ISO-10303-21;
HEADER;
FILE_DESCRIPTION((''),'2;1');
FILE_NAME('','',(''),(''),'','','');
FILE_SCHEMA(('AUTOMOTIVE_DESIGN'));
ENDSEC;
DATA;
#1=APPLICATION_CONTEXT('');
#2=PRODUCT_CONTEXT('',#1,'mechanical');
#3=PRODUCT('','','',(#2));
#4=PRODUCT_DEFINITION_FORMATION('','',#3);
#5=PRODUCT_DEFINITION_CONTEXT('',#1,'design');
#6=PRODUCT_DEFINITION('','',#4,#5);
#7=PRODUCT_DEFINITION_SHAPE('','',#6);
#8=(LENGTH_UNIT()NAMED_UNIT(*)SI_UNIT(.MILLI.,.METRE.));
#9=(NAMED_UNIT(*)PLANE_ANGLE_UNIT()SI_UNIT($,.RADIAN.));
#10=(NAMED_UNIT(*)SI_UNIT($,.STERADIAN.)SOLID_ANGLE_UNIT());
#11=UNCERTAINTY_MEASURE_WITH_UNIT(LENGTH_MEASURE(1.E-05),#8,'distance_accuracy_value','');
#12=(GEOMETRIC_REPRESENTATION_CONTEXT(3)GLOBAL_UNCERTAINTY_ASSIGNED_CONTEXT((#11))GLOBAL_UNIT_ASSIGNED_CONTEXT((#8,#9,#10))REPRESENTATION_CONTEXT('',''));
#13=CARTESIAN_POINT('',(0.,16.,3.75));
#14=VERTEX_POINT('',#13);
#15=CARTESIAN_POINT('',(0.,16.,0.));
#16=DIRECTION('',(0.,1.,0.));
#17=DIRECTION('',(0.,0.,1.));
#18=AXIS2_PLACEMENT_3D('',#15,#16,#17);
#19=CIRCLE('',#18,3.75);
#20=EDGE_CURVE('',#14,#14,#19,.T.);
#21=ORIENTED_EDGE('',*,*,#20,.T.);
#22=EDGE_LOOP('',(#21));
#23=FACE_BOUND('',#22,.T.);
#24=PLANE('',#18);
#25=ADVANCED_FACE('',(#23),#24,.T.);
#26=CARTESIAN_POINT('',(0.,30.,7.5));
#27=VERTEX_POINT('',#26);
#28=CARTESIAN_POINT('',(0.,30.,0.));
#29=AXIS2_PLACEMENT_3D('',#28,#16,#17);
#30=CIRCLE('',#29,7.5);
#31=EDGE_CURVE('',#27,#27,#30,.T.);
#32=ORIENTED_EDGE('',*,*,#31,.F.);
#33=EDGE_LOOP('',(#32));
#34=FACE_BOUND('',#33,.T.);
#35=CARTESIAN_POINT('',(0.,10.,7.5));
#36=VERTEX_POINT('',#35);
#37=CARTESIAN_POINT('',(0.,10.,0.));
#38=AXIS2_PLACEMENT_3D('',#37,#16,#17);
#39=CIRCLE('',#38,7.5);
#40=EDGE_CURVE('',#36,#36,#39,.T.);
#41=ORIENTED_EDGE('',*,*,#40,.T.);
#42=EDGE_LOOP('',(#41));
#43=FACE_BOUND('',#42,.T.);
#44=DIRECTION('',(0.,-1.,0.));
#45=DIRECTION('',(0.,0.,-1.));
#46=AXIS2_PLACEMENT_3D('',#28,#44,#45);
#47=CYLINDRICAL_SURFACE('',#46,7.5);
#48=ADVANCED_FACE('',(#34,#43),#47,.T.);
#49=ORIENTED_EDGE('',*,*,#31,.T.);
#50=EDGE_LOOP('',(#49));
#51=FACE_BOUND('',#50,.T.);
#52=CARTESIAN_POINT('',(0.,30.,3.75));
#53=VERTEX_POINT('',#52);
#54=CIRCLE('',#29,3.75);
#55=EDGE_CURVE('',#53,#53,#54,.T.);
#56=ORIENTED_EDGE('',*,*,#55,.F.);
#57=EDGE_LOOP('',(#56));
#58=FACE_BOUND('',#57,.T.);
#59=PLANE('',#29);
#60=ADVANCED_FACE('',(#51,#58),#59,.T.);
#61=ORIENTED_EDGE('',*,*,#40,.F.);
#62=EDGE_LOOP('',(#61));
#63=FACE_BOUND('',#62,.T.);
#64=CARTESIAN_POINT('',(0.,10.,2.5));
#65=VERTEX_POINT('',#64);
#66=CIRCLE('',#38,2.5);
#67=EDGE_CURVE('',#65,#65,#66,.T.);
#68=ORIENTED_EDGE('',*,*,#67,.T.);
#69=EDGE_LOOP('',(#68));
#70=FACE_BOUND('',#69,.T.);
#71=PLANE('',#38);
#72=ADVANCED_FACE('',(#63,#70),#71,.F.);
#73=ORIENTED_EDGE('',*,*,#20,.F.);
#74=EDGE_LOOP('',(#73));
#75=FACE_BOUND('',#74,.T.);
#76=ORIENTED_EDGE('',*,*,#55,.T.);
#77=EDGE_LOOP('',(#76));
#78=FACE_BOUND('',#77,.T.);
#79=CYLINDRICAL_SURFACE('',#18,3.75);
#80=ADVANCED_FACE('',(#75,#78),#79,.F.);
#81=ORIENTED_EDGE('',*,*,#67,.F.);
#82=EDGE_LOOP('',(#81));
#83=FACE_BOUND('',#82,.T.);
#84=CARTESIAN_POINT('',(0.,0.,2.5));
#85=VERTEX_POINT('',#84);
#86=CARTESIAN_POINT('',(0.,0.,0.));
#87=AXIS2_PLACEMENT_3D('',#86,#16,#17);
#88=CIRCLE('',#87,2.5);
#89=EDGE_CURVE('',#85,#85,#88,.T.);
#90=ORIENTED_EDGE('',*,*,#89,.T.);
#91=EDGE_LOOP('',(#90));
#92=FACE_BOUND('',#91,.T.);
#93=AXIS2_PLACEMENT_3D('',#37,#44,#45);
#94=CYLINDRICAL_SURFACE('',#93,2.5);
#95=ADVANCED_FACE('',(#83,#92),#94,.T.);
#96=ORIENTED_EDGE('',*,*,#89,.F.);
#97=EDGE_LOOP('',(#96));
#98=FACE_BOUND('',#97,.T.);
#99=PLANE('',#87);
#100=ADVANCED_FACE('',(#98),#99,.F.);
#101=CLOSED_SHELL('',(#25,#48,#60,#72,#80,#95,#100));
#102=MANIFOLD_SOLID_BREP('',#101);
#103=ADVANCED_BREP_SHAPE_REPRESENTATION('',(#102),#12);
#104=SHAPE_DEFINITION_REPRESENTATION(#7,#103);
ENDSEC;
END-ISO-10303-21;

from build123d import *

# Parameters (mm, degrees)
SKETCH1_R           = 2.5
BOSS_EXTRUDE2_DEPTH = 10
SKETCH2_R           = 7.5
BOSS_EXTRUDE3_DEPTH = 20
SKETCH3_R           = 3.75
CUT_EXTRUDE1_DEPTH  = 14


with BuildPart() as part:
    # Sketch1 → Boss-Extrude2 (new body)
    with BuildSketch(Plane(origin=(0, 0, 0), x_dir=(1, 0, 0), z_dir=(0, 1, 0))):
        with Locations(Location((0, 0, 0), (0, 0, 270))):  # turned: the seam where the file's is
            Circle(SKETCH1_R)
    extrude(amount=BOSS_EXTRUDE2_DEPTH)

    # Sketch2 → Boss-Extrude3 (add)
    with BuildSketch(Plane(origin=(0, 10, 0), x_dir=(1, 0, 0), z_dir=(0, 1, 0))):
        with Locations(Location((0, 0, 0), (0, 0, 270))):  # turned: the seam where the file's is
            Circle(SKETCH2_R)
    extrude(amount=BOSS_EXTRUDE3_DEPTH)

    # Sketch3 → Cut-Extrude1 (cut)
    with BuildSketch(Plane(origin=(0, 30, 0), x_dir=(1, 0, 0), z_dir=(0, 1, 0))):
        with Locations(Location((0, 0, 0), (0, 0, 270))):  # turned: the seam where the file's is
            Circle(SKETCH3_R)
    extrude(amount=-CUT_EXTRUDE1_DEPTH, mode=Mode.SUBTRACT)


solid = part.part
